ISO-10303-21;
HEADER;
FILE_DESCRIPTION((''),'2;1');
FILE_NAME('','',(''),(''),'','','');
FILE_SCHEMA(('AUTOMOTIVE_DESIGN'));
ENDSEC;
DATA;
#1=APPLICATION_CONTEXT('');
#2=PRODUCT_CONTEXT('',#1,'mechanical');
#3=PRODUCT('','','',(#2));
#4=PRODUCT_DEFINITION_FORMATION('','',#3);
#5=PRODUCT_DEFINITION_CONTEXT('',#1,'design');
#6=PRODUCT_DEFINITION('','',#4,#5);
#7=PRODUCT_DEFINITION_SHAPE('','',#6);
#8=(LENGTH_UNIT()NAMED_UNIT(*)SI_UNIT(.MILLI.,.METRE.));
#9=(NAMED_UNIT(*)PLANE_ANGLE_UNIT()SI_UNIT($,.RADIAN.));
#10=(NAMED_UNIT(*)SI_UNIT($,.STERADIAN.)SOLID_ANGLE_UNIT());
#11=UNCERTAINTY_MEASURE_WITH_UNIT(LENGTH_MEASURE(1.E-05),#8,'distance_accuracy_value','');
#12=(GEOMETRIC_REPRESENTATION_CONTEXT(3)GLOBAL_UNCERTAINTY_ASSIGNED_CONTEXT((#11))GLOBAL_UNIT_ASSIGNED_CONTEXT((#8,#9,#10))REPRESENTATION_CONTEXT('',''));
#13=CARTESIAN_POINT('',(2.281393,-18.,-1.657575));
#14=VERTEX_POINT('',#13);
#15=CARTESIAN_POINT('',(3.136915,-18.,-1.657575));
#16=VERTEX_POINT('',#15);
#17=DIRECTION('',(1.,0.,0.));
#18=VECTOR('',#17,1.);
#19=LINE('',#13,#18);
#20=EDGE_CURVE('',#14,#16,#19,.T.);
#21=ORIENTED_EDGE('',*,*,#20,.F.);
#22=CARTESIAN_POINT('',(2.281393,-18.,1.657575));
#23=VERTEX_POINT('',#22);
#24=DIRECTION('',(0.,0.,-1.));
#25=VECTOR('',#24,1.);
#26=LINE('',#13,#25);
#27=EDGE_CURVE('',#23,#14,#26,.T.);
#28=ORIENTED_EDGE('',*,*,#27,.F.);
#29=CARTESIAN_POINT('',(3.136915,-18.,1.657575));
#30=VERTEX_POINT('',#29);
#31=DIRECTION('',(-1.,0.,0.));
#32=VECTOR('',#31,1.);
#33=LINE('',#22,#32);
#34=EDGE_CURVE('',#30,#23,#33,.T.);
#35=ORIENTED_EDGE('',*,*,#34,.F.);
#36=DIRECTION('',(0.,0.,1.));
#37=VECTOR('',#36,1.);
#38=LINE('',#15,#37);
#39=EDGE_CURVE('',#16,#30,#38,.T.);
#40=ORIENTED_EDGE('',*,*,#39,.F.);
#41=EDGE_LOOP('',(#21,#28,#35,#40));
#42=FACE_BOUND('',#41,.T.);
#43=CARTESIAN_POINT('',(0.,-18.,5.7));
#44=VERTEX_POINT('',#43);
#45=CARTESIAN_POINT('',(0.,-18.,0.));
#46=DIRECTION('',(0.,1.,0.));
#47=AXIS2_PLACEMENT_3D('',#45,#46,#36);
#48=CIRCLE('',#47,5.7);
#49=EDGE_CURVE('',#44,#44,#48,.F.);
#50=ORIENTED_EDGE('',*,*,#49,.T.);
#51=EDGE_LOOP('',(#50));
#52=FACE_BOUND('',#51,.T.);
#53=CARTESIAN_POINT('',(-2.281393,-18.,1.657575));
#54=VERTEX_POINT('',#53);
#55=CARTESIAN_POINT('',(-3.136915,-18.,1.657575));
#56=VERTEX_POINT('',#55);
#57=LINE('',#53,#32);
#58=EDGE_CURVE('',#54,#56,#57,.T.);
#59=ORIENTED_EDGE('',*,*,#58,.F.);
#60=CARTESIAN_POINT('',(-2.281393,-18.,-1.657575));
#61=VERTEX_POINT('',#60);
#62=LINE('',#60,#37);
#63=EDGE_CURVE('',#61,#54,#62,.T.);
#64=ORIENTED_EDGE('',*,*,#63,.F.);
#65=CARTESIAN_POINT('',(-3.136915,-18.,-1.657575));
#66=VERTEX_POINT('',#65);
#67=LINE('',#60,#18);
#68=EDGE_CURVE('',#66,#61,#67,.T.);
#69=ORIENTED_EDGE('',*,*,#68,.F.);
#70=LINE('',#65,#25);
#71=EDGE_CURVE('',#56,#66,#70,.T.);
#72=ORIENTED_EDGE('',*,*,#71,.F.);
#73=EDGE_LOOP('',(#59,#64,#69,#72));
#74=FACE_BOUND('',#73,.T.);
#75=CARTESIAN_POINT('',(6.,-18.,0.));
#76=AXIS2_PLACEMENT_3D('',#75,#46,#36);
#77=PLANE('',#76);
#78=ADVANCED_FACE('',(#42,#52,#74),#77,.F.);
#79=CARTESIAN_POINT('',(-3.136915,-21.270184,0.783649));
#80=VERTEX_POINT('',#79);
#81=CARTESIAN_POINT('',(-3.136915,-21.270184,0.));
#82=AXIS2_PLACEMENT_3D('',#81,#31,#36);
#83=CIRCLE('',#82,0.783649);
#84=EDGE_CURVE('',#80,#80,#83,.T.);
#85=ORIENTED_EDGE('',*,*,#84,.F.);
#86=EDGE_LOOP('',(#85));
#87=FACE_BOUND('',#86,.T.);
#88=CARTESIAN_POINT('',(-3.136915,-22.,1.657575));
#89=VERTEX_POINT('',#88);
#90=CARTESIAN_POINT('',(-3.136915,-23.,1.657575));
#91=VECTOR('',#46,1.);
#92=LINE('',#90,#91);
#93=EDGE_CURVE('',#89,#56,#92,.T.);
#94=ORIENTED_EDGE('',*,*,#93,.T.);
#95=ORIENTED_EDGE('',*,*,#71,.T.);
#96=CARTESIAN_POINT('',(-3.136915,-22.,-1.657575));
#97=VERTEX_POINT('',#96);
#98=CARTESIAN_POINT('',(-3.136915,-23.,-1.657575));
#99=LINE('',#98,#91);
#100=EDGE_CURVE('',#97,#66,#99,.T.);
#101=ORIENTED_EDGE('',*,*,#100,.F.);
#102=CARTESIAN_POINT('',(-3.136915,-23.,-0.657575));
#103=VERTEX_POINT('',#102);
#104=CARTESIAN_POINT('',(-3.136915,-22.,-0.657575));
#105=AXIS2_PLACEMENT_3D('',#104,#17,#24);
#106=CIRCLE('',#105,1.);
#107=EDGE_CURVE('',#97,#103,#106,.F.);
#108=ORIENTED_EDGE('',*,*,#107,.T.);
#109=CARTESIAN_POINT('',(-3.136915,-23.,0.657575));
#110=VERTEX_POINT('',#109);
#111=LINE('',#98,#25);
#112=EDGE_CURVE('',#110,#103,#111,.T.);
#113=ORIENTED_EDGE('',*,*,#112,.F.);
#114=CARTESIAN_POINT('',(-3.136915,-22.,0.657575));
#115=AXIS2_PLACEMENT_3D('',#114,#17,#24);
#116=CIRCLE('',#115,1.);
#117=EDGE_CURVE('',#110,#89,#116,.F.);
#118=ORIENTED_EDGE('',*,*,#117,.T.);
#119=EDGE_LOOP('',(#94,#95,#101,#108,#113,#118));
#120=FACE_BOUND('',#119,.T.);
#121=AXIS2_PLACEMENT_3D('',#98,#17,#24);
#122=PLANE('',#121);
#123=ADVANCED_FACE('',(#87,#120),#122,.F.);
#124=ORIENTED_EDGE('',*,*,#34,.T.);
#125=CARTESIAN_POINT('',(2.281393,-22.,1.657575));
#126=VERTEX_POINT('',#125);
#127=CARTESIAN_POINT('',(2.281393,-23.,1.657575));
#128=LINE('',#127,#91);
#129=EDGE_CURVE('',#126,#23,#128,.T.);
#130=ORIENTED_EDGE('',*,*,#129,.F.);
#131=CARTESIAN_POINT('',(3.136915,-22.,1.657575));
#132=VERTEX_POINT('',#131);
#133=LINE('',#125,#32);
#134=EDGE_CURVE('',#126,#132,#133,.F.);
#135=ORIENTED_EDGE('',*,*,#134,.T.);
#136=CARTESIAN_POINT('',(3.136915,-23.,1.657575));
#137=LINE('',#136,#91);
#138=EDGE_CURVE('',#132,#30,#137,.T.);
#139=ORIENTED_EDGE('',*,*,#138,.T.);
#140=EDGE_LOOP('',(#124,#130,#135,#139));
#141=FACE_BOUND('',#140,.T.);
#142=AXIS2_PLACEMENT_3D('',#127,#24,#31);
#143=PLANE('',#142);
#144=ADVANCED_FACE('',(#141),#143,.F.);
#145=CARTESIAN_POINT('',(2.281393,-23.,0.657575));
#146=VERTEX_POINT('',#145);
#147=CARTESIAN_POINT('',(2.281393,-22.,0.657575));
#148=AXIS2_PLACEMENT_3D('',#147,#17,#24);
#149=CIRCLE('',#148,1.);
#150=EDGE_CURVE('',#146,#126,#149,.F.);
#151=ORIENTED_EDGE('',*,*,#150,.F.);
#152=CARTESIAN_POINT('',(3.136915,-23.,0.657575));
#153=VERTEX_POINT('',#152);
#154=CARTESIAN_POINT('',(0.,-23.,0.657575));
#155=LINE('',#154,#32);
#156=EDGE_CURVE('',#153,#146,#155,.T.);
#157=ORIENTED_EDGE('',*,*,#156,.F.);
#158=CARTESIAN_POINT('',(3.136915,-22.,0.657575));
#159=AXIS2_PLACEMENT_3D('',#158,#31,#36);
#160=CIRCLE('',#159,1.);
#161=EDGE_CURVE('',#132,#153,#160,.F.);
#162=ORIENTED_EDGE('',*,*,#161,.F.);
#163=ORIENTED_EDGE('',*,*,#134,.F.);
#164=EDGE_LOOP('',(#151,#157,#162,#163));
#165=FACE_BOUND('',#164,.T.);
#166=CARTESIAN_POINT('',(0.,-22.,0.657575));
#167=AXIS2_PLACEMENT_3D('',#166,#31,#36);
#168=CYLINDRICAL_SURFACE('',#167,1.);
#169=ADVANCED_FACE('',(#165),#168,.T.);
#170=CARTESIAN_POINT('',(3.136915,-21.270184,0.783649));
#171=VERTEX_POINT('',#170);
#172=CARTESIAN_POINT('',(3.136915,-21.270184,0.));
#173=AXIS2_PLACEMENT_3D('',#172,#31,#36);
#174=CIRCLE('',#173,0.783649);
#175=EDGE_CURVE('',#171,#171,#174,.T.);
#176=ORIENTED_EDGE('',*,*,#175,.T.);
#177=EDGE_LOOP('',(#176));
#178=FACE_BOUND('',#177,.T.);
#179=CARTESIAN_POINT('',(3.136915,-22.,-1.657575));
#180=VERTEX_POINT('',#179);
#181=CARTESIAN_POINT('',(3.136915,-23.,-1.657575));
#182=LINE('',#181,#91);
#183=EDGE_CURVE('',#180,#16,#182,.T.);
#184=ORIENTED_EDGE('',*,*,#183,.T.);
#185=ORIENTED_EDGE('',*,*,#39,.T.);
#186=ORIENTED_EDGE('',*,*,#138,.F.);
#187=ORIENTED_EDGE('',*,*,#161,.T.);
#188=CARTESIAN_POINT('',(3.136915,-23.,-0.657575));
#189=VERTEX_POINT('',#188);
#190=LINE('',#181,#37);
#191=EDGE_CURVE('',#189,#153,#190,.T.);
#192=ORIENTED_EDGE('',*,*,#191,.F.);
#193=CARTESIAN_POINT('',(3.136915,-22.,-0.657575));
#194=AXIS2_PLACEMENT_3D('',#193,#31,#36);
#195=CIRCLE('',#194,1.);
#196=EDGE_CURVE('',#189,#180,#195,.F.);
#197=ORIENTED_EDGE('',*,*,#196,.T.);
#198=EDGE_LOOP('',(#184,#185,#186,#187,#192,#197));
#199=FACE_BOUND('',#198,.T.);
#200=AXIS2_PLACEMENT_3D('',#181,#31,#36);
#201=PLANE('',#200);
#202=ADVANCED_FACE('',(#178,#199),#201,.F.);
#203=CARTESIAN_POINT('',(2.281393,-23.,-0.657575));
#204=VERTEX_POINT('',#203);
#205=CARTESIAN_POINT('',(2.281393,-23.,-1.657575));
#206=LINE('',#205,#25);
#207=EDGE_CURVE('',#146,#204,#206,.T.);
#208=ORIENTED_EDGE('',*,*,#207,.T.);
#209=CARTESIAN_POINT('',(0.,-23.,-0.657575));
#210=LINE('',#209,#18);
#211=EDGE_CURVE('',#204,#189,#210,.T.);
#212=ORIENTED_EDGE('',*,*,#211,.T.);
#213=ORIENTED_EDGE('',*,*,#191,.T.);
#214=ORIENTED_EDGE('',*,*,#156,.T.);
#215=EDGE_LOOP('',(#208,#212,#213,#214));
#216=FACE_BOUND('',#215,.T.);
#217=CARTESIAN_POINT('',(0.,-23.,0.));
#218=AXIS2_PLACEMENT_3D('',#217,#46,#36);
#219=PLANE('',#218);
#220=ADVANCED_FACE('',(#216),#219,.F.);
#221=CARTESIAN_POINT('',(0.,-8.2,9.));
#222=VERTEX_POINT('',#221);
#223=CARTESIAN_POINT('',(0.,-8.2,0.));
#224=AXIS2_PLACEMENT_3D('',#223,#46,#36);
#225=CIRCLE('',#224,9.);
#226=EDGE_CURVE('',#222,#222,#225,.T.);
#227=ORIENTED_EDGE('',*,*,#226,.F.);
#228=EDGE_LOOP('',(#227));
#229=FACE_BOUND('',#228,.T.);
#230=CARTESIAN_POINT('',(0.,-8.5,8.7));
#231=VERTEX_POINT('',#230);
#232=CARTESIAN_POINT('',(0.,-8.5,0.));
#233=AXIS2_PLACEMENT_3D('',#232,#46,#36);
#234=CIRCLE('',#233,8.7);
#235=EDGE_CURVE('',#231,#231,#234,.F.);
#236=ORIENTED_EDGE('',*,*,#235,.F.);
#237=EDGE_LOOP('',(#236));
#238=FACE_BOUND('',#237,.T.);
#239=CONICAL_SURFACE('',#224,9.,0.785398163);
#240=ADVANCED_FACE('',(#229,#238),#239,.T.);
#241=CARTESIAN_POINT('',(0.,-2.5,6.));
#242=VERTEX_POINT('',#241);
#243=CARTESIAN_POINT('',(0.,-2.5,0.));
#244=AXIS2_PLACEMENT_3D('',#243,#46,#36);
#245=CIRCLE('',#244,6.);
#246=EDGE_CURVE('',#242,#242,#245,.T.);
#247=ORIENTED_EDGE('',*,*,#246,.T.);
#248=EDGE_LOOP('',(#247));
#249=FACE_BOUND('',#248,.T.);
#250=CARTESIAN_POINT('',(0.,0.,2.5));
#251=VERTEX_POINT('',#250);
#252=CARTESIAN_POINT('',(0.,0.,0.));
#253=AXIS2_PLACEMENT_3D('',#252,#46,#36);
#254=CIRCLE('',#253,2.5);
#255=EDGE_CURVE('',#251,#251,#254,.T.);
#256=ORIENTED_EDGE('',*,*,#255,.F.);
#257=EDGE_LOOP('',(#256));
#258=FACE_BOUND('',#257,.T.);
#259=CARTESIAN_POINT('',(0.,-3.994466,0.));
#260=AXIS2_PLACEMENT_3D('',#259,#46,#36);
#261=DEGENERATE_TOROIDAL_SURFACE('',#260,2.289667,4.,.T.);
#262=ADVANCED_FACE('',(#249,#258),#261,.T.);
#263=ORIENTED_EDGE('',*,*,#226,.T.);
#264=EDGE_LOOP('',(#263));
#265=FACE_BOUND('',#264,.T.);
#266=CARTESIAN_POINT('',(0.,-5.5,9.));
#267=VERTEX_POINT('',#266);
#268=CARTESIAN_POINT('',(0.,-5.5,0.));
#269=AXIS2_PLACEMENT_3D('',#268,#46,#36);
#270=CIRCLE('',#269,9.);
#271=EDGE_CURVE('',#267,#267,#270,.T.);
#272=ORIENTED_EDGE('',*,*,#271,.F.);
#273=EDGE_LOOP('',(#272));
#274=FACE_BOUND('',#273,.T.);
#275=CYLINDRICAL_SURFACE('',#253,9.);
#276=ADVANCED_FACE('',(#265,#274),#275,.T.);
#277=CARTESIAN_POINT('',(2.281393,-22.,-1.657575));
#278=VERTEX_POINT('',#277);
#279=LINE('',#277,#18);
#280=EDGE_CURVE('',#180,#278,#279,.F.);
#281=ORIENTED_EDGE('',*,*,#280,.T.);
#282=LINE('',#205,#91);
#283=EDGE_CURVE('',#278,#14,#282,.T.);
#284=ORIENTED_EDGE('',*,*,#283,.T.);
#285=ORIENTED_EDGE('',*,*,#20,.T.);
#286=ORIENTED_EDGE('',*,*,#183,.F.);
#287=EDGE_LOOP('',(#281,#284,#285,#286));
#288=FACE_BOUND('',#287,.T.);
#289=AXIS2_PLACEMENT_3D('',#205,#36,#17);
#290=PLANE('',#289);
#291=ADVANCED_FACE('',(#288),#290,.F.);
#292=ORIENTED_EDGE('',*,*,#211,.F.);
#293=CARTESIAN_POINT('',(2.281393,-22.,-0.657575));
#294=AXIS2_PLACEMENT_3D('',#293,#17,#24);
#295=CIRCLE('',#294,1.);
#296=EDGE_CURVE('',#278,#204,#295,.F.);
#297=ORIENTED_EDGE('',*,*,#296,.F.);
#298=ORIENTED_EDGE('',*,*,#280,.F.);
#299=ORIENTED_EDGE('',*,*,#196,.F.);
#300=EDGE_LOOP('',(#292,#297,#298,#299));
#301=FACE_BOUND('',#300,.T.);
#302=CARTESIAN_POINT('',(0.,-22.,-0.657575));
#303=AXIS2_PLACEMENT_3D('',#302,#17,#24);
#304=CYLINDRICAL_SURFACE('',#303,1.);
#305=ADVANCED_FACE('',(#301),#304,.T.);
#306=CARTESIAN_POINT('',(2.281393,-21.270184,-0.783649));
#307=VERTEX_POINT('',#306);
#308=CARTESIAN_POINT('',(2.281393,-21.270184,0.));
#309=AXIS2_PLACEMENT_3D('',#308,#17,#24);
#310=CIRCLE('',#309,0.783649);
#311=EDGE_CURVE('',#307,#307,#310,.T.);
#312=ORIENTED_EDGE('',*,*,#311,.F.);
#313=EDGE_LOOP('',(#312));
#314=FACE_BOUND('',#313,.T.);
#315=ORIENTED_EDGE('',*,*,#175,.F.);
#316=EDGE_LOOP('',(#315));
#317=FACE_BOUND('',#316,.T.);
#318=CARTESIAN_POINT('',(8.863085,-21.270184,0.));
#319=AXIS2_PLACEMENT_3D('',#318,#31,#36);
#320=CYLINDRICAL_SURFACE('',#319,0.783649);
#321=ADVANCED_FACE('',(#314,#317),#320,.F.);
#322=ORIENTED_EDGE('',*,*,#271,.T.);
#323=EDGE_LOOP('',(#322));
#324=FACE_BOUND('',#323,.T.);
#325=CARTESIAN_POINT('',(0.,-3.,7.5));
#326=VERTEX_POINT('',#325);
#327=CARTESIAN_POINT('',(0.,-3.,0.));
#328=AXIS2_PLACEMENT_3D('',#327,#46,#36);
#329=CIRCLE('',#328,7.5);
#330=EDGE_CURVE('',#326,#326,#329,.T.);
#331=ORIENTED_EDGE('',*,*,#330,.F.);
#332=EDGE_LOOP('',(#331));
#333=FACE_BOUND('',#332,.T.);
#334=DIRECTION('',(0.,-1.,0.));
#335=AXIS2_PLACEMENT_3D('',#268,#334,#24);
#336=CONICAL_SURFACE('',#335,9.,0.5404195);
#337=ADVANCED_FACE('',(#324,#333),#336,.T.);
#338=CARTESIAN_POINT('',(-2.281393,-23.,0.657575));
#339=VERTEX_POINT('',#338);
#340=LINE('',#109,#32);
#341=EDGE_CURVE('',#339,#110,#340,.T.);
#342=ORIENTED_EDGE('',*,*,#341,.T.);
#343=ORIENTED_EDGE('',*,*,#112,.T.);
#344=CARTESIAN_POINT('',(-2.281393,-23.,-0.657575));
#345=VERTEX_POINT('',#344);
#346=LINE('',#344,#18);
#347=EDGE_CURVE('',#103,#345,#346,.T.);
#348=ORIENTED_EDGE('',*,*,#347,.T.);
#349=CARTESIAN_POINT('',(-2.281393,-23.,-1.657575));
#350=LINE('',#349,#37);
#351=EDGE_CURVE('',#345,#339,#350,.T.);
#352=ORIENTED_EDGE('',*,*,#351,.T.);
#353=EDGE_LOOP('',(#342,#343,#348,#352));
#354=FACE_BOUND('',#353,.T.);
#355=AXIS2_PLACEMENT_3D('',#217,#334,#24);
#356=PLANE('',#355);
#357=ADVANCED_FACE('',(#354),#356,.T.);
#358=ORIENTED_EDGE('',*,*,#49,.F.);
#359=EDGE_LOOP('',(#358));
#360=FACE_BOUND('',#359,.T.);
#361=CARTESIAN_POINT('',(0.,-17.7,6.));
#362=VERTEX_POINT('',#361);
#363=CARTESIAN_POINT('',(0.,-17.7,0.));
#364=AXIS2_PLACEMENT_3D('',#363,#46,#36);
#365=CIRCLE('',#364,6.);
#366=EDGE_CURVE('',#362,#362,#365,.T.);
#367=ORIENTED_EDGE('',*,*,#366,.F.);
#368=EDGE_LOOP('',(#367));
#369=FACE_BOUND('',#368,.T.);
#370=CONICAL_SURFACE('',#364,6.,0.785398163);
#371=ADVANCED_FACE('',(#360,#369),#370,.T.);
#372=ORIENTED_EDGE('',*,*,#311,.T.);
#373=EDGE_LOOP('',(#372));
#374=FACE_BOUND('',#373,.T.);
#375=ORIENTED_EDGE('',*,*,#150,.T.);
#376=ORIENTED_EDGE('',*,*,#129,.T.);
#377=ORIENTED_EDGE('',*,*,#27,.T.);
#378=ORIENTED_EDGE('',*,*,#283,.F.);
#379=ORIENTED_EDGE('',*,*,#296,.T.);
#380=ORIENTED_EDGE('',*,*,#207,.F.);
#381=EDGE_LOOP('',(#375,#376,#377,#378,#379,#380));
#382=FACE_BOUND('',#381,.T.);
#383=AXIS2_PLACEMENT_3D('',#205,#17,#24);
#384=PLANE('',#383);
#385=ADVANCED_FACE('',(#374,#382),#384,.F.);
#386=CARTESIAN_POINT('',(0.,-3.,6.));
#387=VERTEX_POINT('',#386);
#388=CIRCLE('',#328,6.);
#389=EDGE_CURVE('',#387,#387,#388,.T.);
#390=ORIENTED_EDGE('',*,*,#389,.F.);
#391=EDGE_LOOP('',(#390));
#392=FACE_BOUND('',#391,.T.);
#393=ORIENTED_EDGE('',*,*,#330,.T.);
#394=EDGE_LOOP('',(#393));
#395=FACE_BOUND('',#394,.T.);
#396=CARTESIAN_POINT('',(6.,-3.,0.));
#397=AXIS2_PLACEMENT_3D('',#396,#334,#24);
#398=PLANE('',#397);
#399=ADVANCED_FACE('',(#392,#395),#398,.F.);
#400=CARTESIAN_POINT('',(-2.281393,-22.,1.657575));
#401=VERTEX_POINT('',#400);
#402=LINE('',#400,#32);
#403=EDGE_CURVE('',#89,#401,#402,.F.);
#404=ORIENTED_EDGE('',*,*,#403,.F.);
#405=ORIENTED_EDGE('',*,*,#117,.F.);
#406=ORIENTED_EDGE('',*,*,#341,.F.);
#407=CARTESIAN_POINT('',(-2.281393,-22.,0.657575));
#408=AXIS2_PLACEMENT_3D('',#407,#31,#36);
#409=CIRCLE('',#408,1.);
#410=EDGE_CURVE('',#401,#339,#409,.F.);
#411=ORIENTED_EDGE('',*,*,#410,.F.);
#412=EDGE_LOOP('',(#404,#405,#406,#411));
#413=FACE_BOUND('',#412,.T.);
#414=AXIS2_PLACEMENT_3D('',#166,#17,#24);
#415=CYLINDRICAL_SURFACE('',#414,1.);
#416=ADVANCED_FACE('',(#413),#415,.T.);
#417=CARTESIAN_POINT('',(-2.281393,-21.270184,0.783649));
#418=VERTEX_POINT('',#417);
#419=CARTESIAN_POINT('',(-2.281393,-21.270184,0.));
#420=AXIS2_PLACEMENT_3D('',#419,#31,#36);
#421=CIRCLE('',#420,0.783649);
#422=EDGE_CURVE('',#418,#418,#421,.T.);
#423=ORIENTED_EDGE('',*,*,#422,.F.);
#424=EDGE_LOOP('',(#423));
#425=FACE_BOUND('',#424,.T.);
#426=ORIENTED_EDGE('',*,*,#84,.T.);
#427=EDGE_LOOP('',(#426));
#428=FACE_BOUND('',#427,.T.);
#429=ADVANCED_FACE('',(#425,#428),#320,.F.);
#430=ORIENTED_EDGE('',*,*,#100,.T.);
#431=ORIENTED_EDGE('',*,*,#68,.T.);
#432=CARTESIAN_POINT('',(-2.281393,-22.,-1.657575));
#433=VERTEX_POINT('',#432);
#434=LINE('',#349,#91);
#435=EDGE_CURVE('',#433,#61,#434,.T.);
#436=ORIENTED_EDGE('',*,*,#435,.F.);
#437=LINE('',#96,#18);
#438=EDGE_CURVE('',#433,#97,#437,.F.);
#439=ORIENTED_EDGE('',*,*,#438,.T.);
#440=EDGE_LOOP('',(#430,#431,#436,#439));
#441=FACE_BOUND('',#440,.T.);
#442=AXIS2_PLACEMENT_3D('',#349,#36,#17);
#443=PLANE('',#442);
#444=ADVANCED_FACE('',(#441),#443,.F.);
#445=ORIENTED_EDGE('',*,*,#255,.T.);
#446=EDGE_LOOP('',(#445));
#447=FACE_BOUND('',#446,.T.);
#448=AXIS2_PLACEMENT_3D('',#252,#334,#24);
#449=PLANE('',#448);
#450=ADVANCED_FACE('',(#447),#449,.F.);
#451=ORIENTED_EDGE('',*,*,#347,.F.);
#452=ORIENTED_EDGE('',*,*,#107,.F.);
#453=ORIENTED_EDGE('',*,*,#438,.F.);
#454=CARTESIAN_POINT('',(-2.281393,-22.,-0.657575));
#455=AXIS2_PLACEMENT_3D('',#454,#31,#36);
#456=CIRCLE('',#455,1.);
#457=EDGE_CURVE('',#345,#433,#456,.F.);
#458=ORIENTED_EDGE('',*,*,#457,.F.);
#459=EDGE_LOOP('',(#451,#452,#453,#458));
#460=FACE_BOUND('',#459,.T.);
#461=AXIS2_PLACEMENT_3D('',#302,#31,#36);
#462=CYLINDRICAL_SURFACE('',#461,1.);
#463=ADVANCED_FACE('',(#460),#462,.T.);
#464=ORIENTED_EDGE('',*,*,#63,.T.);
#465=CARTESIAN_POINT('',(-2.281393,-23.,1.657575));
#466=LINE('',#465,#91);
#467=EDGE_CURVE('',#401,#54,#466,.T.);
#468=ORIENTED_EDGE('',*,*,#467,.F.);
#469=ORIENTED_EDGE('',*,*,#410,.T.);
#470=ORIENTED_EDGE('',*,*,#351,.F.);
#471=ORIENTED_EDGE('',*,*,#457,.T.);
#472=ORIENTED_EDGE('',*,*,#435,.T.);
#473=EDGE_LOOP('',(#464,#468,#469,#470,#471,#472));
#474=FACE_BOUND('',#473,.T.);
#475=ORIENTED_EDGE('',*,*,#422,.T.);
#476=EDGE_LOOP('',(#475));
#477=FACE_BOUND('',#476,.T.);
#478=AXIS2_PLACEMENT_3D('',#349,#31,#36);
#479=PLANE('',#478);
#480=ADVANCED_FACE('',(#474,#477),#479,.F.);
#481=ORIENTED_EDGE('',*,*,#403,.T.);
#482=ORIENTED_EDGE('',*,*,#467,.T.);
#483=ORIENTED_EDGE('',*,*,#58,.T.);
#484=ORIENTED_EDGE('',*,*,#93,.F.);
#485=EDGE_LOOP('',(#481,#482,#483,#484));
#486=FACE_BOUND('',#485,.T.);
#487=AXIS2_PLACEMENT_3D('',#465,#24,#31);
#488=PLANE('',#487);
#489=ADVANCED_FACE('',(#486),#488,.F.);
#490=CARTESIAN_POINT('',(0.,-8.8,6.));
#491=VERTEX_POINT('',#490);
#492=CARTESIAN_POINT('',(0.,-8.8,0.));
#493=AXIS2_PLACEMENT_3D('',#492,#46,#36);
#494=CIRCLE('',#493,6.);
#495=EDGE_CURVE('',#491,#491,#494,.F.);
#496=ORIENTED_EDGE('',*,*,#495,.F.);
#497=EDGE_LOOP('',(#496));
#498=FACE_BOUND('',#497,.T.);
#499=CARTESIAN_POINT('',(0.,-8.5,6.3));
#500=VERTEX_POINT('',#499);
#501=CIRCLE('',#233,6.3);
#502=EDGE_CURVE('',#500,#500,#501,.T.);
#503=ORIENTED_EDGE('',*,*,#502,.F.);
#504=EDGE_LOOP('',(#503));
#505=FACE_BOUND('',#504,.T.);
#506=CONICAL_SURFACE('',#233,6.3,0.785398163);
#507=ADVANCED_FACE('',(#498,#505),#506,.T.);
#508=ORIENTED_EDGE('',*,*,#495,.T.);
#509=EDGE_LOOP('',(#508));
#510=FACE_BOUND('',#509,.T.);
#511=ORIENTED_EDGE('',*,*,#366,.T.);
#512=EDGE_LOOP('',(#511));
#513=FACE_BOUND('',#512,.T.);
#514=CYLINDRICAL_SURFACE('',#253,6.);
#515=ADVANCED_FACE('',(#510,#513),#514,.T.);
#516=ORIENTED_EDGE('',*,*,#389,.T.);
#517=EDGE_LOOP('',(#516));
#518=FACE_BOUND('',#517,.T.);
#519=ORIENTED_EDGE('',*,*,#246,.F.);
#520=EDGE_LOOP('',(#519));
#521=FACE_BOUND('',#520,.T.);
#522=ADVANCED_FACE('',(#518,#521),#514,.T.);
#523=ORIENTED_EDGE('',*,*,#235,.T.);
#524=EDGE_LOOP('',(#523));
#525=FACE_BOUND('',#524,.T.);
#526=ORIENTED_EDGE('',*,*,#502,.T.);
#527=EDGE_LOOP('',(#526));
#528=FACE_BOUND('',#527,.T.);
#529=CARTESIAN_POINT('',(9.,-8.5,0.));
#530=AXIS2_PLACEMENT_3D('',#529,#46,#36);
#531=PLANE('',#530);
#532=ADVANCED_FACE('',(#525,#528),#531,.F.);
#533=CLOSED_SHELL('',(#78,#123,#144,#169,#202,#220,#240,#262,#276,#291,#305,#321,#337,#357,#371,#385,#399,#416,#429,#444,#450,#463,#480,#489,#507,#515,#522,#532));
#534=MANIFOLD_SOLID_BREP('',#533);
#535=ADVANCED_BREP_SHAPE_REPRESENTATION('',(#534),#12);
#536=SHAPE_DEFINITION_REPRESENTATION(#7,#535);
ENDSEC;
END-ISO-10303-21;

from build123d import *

# Parameters (mm, degrees)
CHAMFER1_SIZE       = 0.3
SKETCH2_W           = 0.855522376
SKETCH2_H           = 3.315149208
BOSS_EXTRUDE1_DEPTH = 5
SKETCH3_R           = 0.78364852
CUT_EXTRUDE1_DEPTH  = 12
FILLET1_R           = 1


with BuildPart() as part:
    # Sketch1 → Revolve1 (revolve)
    with BuildSketch(Plane.XY, mode=Mode.PRIVATE) as revolve1_sk:
        with BuildLine():
            Line((0, 0), (2.5, 0))
            ThreePointArc((2.5, 0), (4.614619792, -0.739532292), (6, -2.5))
            Line((6, -2.5), (6, -3))
            Line((6, -3), (7.5, -3))
            Line((7.5, -3), (9, -5.5))
            Line((9, -5.5), (9, -8.5))
            Line((9, -8.5), (6, -8.5))
            Line((6, -8.5), (6, -18))
            Line((6, -18), (0, -18))
            Line((0, -18), (0, 0))
        make_face()
    revolve(revolve1_sk.sketch.rotate(Axis((0, 0, 0), (0, -1, 0)), 90), axis=Axis((0, 0, 0), (0, -1, 0)))

    # Chamfer1
    chamfer1_edges = [part.edges().sort_by_distance(p)[0] for p in [
        (0, -8.5, -6),
        (0, -18, -6),
        (0, -8.5, -9),
    ]]
    chamfer(chamfer1_edges, length=CHAMFER1_SIZE)

    # Sketch2 → Boss-Extrude1 (add)
    with BuildSketch(Plane.XZ.offset(18)):
        with Locations((2.709154191, 0)):
            Rectangle(SKETCH2_W, SKETCH2_H)
        with Locations((-2.709154191, 0)):
            Rectangle(SKETCH2_W, SKETCH2_H)
    extrude(amount=BOSS_EXTRUDE1_DEPTH)

    # Sketch3 → Cut-Extrude1 (cut)
    with BuildSketch(Plane.ZY.offset(3.136915379)):
        with Locations((0, -21.270184358)):
            Circle(SKETCH3_R)
    extrude(amount=-CUT_EXTRUDE1_DEPTH, mode=Mode.SUBTRACT)

    # Fillet1
    fillet1_edges = [part.edges().sort_by_distance(p)[0] for p in [
        (2.709154191, -23, 1.657574604),
        (2.709154191, -23, -1.657574604),
        (-2.709154191, -23, 1.657574604),
        (-2.709154191, -23, -1.657574604),
    ]]
    fillet(fillet1_edges, radius=FILLET1_R)


solid = part.part
